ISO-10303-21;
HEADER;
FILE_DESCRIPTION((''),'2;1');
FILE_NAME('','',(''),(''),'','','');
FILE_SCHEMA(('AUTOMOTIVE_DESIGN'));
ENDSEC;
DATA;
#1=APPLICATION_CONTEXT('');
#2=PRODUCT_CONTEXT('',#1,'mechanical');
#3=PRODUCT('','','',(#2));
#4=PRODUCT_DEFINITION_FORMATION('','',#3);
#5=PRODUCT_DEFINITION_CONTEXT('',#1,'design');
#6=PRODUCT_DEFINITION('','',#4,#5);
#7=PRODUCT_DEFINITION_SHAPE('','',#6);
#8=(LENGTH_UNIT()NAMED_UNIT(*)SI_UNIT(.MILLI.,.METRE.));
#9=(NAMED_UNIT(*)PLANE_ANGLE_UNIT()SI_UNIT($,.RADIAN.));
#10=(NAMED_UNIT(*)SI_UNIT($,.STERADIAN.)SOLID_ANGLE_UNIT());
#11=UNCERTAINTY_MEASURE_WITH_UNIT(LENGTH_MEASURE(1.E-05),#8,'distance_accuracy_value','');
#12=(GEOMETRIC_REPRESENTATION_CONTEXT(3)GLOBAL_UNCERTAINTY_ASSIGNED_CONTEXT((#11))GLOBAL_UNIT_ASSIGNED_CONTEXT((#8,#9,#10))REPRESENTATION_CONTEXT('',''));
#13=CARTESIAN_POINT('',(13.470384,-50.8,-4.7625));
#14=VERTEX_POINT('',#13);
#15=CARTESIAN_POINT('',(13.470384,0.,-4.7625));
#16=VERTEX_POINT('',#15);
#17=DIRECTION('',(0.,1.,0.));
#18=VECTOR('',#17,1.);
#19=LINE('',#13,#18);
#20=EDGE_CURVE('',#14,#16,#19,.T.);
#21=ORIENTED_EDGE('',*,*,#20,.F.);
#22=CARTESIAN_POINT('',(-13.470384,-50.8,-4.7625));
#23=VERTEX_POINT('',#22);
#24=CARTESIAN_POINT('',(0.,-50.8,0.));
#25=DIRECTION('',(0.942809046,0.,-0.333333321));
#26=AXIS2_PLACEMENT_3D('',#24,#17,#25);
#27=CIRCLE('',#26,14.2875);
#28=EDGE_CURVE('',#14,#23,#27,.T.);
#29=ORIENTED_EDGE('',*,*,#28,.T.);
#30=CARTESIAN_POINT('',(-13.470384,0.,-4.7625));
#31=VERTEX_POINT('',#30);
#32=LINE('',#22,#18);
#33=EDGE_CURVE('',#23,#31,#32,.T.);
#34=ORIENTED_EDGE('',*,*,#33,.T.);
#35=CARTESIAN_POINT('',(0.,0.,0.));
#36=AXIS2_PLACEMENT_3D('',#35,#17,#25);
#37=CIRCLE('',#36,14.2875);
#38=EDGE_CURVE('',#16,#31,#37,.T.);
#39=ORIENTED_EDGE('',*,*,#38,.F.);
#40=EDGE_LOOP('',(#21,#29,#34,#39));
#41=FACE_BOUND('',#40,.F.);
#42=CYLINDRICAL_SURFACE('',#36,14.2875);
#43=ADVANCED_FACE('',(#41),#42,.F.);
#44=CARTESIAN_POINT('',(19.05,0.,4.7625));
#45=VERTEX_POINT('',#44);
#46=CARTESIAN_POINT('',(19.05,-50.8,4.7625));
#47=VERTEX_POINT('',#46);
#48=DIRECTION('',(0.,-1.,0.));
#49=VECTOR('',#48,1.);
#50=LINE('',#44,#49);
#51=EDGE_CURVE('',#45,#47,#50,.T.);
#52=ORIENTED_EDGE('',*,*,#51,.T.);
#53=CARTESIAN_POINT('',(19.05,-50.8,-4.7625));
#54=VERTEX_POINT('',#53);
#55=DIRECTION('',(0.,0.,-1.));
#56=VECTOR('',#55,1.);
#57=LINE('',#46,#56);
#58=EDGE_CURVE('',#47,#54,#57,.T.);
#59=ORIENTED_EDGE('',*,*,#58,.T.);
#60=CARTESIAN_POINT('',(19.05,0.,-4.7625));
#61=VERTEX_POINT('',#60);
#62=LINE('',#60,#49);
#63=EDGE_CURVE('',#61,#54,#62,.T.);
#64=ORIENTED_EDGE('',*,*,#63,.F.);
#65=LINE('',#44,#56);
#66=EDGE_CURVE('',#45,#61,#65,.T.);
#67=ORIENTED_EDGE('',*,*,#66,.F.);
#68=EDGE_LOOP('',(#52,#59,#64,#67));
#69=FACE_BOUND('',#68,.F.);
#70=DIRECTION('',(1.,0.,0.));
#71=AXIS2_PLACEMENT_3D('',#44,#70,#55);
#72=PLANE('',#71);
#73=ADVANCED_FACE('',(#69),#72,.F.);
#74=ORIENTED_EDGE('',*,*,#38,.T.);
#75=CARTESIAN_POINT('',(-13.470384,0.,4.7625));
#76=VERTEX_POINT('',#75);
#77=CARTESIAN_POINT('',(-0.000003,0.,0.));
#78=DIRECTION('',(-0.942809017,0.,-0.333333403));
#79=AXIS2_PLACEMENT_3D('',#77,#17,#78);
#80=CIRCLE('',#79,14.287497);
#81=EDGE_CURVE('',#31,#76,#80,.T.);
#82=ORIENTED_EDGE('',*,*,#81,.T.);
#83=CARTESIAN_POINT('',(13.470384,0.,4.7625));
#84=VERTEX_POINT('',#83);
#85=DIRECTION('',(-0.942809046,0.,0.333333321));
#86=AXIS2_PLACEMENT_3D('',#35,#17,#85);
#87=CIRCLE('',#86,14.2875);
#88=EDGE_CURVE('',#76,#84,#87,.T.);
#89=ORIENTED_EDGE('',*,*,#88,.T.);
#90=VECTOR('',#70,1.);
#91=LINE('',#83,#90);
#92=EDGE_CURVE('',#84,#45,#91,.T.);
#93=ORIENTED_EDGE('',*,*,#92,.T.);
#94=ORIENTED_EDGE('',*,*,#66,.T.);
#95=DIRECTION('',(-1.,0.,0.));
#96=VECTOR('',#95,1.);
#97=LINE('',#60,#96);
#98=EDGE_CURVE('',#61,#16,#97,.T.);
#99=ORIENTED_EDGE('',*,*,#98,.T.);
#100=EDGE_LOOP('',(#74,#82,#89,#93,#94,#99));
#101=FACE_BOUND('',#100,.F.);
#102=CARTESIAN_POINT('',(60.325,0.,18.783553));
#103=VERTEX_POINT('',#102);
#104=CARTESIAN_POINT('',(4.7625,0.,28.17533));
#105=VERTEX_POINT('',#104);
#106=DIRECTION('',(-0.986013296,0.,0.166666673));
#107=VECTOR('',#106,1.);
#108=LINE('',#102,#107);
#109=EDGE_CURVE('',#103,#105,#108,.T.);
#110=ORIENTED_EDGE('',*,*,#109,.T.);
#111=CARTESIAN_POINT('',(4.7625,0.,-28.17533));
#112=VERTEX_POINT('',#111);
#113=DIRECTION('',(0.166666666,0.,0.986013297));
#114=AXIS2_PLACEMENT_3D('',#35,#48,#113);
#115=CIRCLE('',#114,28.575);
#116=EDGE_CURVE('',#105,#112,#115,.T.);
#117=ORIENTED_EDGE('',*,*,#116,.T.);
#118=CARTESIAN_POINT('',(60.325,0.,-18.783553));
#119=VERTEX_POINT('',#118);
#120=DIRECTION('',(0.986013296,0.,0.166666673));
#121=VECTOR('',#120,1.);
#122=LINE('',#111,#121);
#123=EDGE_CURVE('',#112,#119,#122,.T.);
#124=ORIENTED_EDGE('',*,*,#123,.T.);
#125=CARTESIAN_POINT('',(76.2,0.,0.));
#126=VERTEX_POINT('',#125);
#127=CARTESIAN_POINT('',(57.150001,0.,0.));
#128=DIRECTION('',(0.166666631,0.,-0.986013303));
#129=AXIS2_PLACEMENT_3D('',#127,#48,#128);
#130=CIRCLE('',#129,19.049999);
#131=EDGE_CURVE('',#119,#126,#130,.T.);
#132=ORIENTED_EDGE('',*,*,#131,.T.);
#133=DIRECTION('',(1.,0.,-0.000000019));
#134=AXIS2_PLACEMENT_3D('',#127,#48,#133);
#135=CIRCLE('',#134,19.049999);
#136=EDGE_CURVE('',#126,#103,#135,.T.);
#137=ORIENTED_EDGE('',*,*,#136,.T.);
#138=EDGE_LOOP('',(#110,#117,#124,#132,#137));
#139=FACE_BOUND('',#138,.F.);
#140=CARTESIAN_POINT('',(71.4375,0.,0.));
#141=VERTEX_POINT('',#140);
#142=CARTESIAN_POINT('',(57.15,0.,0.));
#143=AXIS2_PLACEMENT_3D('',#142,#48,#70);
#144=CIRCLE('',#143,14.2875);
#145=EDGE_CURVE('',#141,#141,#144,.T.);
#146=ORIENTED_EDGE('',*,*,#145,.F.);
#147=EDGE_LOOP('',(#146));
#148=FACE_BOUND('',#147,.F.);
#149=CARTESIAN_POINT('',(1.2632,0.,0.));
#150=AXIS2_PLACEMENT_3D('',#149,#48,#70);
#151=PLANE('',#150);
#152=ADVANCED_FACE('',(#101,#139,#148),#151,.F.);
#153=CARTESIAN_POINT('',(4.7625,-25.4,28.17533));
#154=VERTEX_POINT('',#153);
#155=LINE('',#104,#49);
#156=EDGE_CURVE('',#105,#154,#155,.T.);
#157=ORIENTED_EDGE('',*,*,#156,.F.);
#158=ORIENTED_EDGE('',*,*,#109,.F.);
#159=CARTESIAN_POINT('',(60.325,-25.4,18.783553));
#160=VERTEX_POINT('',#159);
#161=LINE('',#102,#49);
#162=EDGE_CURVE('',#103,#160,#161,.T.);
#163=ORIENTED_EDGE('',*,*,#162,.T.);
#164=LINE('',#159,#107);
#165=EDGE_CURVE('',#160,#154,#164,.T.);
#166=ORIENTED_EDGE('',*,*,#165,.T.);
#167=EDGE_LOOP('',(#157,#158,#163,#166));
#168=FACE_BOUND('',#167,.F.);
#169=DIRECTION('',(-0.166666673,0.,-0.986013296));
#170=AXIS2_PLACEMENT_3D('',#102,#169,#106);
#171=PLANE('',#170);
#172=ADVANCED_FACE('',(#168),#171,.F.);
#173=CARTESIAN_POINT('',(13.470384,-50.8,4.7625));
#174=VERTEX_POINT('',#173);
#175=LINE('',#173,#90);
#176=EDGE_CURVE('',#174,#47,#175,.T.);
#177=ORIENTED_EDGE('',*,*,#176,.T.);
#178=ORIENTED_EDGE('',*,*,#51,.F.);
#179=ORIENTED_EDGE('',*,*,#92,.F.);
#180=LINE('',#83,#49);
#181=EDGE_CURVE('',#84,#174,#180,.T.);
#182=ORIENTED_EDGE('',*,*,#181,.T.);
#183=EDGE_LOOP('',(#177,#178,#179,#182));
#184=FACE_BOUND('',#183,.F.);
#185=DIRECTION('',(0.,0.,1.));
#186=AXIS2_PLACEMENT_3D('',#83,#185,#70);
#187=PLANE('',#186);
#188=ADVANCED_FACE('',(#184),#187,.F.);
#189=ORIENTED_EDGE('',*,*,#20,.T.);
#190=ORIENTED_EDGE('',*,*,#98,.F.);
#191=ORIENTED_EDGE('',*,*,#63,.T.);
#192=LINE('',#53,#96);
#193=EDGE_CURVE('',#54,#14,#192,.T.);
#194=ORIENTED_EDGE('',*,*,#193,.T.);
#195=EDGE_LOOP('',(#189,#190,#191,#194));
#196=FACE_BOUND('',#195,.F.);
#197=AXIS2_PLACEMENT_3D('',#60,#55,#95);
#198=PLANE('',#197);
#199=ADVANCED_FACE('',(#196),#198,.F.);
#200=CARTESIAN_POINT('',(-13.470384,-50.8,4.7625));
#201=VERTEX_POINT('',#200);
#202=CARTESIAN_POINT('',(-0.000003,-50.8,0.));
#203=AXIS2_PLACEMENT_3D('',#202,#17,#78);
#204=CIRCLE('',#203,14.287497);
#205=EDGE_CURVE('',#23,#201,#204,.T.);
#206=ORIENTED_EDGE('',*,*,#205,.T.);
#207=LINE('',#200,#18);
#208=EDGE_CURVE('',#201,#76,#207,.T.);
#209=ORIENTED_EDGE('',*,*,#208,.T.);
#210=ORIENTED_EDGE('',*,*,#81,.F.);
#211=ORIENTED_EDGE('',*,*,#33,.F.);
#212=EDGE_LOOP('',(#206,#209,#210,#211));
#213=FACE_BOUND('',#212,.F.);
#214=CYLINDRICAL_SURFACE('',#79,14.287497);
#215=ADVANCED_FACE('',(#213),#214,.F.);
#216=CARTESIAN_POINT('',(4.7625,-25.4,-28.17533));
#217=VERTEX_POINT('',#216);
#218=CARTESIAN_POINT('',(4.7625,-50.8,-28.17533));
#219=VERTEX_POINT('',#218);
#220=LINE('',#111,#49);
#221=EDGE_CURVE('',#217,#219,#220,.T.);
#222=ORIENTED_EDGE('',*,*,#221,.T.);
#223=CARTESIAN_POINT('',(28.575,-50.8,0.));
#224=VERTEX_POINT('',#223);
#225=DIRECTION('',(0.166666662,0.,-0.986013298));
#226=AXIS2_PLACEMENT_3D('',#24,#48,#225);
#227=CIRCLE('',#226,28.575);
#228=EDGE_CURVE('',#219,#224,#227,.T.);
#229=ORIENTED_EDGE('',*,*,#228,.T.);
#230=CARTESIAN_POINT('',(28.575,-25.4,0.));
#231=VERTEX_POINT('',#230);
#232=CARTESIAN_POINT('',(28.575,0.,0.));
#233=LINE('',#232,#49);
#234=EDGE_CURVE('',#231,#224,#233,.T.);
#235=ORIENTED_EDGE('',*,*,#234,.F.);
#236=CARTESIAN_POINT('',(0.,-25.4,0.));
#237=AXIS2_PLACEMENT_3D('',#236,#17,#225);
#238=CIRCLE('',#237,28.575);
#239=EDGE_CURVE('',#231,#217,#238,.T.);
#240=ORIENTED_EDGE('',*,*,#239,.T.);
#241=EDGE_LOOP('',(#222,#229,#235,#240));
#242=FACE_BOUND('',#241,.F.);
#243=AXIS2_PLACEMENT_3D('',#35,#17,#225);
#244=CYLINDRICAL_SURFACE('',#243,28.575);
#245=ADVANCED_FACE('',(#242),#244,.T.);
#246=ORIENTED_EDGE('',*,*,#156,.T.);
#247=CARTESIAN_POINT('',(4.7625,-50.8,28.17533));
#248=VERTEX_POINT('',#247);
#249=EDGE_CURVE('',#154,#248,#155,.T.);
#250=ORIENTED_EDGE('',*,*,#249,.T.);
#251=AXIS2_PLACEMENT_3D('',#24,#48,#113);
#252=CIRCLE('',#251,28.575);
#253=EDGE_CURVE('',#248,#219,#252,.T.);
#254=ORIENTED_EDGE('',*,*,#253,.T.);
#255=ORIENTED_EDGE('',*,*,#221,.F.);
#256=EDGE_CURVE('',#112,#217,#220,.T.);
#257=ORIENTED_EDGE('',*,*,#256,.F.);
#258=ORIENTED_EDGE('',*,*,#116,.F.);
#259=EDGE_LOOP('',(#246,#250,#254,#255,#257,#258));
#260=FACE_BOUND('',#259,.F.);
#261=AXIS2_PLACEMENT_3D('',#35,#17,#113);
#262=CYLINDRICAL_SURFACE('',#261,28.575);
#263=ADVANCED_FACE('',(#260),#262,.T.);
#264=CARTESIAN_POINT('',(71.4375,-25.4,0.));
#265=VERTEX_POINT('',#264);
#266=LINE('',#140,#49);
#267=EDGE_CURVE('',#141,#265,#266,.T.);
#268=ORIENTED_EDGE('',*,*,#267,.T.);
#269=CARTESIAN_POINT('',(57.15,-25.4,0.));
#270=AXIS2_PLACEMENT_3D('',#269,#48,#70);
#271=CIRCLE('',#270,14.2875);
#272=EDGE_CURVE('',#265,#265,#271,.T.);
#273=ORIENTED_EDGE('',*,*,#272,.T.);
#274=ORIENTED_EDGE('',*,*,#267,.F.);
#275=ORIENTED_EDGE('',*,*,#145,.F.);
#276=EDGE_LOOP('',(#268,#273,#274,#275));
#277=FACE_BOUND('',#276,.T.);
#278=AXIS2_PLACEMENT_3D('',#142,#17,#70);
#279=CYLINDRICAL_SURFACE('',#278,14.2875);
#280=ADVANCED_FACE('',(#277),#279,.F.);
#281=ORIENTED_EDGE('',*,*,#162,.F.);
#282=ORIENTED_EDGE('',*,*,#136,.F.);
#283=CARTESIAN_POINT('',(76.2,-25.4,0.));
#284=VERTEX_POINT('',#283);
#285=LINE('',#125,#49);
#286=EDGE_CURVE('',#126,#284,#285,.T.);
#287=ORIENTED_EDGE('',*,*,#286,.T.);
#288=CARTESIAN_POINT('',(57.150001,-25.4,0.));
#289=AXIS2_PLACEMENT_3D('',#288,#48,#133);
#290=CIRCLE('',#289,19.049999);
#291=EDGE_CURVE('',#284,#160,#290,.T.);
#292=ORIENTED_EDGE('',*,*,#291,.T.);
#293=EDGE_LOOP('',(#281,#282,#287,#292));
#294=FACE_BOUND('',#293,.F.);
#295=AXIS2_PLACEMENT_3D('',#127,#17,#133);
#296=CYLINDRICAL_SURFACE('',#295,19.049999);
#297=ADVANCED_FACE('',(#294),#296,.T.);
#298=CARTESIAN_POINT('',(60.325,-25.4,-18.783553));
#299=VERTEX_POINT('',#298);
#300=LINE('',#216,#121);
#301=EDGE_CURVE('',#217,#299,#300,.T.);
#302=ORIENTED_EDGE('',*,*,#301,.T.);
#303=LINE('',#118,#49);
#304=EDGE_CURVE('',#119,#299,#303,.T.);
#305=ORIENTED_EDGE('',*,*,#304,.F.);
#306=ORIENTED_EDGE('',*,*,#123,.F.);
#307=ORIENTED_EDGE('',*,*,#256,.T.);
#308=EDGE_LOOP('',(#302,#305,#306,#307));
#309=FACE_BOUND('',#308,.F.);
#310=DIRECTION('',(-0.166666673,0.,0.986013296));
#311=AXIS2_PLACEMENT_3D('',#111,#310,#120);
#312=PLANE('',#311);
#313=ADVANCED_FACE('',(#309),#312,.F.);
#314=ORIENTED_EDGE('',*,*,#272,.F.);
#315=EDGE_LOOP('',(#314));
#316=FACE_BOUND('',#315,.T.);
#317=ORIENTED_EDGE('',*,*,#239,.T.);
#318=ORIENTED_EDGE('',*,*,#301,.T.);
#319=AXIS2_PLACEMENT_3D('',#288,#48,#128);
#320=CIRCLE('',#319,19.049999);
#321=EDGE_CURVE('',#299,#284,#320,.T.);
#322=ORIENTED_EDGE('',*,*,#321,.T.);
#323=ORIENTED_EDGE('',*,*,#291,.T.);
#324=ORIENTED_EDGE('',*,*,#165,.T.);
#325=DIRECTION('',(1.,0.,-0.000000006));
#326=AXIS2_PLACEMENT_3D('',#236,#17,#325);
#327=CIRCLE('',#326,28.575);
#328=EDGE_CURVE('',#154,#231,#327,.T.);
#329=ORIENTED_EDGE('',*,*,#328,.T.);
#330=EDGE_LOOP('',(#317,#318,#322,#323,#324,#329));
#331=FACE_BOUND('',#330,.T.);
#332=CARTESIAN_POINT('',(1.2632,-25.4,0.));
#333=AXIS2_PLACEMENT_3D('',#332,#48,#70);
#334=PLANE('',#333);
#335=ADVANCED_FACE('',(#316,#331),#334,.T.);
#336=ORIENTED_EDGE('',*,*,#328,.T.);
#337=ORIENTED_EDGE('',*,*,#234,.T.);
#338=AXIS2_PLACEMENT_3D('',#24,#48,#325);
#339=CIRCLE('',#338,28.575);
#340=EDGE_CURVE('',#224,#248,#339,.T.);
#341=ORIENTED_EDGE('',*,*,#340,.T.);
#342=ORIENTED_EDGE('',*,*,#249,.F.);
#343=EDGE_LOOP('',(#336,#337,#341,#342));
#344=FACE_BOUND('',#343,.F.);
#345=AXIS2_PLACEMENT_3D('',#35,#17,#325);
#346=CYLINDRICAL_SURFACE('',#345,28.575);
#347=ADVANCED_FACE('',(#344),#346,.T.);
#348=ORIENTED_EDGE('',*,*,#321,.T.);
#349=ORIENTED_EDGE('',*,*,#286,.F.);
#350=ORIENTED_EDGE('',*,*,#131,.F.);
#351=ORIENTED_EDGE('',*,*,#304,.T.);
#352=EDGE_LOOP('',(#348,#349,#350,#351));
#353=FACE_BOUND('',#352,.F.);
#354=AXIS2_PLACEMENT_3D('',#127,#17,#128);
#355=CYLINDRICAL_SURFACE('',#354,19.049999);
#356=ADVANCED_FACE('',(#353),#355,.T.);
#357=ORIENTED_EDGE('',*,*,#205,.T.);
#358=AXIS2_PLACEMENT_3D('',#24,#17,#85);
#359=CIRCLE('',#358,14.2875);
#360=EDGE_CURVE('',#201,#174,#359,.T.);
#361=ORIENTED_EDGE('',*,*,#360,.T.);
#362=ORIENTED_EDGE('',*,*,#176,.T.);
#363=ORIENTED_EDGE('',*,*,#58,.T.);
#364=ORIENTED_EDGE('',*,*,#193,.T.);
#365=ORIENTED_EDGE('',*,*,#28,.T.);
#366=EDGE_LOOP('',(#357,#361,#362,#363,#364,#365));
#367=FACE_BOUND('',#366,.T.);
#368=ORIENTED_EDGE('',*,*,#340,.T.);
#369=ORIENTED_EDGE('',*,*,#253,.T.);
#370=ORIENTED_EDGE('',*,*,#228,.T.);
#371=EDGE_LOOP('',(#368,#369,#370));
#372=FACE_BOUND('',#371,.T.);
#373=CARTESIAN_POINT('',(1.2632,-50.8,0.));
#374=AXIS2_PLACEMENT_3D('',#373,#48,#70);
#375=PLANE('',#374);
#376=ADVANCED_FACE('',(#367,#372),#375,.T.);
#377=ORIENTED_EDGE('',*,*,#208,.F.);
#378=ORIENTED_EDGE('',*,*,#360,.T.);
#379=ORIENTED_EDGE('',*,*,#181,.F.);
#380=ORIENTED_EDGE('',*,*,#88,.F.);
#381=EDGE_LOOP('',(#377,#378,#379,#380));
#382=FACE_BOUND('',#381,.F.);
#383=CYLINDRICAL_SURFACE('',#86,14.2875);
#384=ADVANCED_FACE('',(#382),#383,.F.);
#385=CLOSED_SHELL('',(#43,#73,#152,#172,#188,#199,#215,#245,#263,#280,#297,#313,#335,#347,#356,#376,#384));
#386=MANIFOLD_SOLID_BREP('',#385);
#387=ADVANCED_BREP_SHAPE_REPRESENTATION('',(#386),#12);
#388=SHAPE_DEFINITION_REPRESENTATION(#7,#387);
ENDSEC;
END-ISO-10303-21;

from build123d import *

# Parameters (mm, degrees)
F0_R     = 14.2875
F1_DEPTH = 25.4
F2_DEPTH = 50.8


with BuildPart() as f1:
    # F0 (on Front) → F1 (new body)
    with BuildSketch(Plane.XZ):
        with BuildLine():
            ThreePointArc((4.7625, -28.17533), (21.824517, -18.445083), (28.575, 0))
            ThreePointArc((28.575, 0), (21.824517, 18.445083), (4.7625, 28.17533))
            ThreePointArc((4.7625, 28.17533), (-28.575, 0), (4.7625, -28.17533))
        make_face()
        with BuildLine():
            ThreePointArc((-13.470384, 4.7625), (0, 14.2875), (13.470384, 4.7625))
            Line((13.470384, 4.7625), (19.05, 4.7625))
            Line((19.05, 4.7625), (19.05, -4.7625))
            Line((19.05, -4.7625), (13.470384, -4.7625))
            ThreePointArc((13.470384, -4.7625), (0, -14.2875), (-13.470384, -4.7625))
            Line((-13.470384, -4.7625), (-19.05, -4.7625))
            Line((-19.05, -4.7625), (-19.05, 4.7625))
            Line((-19.05, 4.7625), (-13.470384, 4.7625))
        make_face(mode=Mode.SUBTRACT)
        with BuildLine():
            ThreePointArc((4.7625, 28.17533), (21.824517, 18.445083), (28.575, 0))
            ThreePointArc((28.575, 0), (21.824517, -18.445083), (4.7625, -28.17533))
            Line((4.7625, -28.17533), (60.325, -18.783553))
            ThreePointArc((60.325, -18.783553), (38.1, 0), (60.325, 18.783553))
            Line((60.325, 18.783553), (4.7625, 28.17533))
        make_face()
        with BuildLine():
            ThreePointArc((76.2, 0), (71.699678, 12.296722), (60.325, 18.783553))
            ThreePointArc((60.325, 18.783553), (38.1, 0), (60.325, -18.783553))
            ThreePointArc((60.325, -18.783553), (71.699678, -12.296722), (76.2, 0))
        make_face()
        with Locations((57.15, 0)):
            Circle(F0_R, mode=Mode.SUBTRACT)
        with BuildLine():
            ThreePointArc((-13.470384, -4.7625), (-14.2875, 0), (-13.470384, 4.7625))
            Line((-13.470384, 4.7625), (-19.05, 4.7625))
            Line((-19.05, 4.7625), (-19.05, -4.7625))
            Line((-19.05, -4.7625), (-13.470384, -4.7625))
        make_face()
    extrude(amount=F1_DEPTH)

    # F0 (on Front) → F2 (join)
    with BuildSketch(Plane.XZ):
        with BuildLine():
            ThreePointArc((4.7625, -28.17533), (21.824517, -18.445083), (28.575, 0))
            ThreePointArc((28.575, 0), (21.824517, 18.445083), (4.7625, 28.17533))
            ThreePointArc((4.7625, 28.17533), (-28.575, 0), (4.7625, -28.17533))
        make_face()
        with BuildLine():
            ThreePointArc((-13.470384, 4.7625), (0, 14.2875), (13.470384, 4.7625))
            Line((13.470384, 4.7625), (19.05, 4.7625))
            Line((19.05, 4.7625), (19.05, -4.7625))
            Line((19.05, -4.7625), (13.470384, -4.7625))
            ThreePointArc((13.470384, -4.7625), (0, -14.2875), (-13.470384, -4.7625))
            Line((-13.470384, -4.7625), (-19.05, -4.7625))
            Line((-19.05, -4.7625), (-19.05, 4.7625))
            Line((-19.05, 4.7625), (-13.470384, 4.7625))
        make_face(mode=Mode.SUBTRACT)
        with BuildLine():
            ThreePointArc((-13.470384, -4.7625), (-14.2875, 0), (-13.470384, 4.7625))
            Line((-13.470384, 4.7625), (-19.05, 4.7625))
            Line((-19.05, 4.7625), (-19.05, -4.7625))
            Line((-19.05, -4.7625), (-13.470384, -4.7625))
        make_face()
    extrude(amount=F2_DEPTH)


solid = f1.part
